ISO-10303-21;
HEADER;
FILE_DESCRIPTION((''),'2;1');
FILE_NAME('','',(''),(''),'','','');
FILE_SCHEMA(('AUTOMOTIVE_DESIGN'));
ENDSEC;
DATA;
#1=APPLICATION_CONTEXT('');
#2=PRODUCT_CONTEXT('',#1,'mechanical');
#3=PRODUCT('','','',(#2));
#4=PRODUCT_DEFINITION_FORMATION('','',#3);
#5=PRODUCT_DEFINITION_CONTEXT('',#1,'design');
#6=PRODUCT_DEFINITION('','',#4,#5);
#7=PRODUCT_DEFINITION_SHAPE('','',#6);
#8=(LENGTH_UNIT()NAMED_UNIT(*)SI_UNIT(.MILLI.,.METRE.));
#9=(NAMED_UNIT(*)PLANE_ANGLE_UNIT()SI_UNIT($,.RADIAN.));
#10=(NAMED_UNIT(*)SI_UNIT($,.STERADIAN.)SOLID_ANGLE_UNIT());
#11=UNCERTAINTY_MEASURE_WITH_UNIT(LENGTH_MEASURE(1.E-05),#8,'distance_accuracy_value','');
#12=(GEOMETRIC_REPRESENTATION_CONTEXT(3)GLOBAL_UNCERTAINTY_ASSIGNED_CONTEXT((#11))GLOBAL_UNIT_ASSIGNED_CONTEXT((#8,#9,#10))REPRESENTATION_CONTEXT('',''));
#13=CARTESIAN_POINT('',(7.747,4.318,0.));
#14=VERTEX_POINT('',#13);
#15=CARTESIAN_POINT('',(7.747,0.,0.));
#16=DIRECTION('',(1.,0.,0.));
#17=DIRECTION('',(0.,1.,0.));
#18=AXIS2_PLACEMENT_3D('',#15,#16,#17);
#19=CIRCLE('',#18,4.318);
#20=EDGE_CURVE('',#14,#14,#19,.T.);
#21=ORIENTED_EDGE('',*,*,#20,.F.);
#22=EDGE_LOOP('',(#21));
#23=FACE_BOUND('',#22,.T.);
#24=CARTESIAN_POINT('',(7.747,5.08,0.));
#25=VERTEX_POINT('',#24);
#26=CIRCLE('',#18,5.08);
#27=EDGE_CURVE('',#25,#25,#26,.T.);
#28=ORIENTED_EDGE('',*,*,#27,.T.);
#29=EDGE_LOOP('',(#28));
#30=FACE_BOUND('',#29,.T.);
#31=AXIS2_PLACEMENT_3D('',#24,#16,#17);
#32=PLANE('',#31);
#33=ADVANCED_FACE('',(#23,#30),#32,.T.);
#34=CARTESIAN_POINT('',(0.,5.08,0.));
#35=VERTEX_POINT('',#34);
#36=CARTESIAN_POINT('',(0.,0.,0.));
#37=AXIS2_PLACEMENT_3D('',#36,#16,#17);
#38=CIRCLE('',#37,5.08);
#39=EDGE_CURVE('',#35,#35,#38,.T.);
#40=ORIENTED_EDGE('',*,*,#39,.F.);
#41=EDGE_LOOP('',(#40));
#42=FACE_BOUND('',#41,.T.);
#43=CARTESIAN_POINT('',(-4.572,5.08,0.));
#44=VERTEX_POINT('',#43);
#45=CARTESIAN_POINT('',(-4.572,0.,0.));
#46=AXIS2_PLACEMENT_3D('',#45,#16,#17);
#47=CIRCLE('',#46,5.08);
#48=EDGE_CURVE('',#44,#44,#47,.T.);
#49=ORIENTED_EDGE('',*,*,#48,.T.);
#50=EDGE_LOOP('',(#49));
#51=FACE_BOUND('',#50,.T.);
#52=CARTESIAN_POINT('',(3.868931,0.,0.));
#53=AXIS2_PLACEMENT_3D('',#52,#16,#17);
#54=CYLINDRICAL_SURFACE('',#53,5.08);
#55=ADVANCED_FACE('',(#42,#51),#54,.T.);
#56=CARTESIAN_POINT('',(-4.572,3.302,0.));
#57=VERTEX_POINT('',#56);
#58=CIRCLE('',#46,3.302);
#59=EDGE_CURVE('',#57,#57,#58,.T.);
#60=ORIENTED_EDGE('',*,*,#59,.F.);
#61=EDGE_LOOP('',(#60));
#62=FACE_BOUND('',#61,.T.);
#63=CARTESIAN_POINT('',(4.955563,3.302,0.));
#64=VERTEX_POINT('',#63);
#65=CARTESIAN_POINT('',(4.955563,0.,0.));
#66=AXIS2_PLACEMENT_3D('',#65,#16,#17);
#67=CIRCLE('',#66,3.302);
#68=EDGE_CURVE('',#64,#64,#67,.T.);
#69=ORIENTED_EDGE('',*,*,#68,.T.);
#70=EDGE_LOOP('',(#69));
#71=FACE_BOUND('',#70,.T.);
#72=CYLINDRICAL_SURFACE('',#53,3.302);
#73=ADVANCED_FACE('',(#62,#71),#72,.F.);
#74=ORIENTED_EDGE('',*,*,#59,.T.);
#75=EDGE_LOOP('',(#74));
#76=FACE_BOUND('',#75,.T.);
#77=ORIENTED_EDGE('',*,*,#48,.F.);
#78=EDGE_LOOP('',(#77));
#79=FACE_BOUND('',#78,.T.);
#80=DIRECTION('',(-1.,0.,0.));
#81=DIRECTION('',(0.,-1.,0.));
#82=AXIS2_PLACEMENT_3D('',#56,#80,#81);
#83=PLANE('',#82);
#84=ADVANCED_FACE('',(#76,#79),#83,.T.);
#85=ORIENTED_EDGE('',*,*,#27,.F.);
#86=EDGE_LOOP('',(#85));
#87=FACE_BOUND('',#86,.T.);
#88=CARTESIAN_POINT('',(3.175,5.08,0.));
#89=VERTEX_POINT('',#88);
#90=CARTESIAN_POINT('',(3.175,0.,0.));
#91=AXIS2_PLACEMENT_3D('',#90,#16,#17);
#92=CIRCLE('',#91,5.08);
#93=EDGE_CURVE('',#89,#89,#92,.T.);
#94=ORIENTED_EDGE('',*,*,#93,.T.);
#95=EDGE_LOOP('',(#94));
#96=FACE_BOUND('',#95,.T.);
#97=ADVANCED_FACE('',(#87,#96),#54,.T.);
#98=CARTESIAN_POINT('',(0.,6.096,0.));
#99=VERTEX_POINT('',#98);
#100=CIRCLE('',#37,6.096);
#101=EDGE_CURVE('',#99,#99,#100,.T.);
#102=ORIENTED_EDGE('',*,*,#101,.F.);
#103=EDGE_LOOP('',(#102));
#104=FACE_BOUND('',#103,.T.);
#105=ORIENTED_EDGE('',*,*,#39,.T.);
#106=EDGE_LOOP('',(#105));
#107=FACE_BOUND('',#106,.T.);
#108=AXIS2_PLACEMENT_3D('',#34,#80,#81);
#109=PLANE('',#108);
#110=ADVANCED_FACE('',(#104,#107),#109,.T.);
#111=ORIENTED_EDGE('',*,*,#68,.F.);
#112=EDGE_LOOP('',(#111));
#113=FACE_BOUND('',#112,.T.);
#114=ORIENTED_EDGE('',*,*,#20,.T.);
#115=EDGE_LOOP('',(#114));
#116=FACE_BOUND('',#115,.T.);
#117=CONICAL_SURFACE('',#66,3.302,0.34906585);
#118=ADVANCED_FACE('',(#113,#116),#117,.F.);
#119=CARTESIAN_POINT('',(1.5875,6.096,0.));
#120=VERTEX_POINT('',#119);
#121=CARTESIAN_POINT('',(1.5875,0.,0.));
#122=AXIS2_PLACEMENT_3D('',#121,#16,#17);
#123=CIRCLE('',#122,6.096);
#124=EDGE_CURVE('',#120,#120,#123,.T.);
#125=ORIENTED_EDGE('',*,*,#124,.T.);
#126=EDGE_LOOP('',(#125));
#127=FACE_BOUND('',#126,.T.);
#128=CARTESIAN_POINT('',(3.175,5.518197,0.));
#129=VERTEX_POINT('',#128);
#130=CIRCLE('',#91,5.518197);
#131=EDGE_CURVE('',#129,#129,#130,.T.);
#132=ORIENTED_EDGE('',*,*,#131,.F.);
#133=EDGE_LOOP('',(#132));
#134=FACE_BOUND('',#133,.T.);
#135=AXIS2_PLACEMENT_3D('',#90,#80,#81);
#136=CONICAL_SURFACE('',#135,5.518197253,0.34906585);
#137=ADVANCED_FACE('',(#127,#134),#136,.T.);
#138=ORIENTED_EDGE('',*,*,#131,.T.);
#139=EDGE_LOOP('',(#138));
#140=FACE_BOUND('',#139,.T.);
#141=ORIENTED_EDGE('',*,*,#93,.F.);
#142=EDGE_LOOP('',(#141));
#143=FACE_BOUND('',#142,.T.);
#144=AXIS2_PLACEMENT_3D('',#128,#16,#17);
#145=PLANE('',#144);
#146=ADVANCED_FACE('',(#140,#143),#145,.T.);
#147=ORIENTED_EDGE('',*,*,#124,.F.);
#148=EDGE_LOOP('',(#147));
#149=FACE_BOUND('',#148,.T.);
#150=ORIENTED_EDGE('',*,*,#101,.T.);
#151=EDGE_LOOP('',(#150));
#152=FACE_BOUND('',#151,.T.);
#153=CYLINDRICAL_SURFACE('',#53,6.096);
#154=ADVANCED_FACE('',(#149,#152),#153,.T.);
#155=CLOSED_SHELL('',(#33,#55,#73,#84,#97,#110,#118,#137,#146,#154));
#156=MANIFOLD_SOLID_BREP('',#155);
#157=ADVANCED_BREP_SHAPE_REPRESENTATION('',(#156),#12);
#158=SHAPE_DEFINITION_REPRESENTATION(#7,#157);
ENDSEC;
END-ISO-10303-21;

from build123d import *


with BuildPart() as part:
    # Sketch1 → Revolve1 (revolve)
    with BuildSketch(Plane.XY):
        Polygon((0, 6.096), (1.5875, 6.096), (3.175, 5.518197253), (3.175, 5.08), (7.747, 5.08), (7.747, 4.318), (4.955562942, 3.302), (-4.572, 3.302), (-4.572, 5.08), (0, 5.08), align=None)
    revolve(axis=Axis((3.868930609, 0, 0), (-1, 0, 0)))


solid = part.part
